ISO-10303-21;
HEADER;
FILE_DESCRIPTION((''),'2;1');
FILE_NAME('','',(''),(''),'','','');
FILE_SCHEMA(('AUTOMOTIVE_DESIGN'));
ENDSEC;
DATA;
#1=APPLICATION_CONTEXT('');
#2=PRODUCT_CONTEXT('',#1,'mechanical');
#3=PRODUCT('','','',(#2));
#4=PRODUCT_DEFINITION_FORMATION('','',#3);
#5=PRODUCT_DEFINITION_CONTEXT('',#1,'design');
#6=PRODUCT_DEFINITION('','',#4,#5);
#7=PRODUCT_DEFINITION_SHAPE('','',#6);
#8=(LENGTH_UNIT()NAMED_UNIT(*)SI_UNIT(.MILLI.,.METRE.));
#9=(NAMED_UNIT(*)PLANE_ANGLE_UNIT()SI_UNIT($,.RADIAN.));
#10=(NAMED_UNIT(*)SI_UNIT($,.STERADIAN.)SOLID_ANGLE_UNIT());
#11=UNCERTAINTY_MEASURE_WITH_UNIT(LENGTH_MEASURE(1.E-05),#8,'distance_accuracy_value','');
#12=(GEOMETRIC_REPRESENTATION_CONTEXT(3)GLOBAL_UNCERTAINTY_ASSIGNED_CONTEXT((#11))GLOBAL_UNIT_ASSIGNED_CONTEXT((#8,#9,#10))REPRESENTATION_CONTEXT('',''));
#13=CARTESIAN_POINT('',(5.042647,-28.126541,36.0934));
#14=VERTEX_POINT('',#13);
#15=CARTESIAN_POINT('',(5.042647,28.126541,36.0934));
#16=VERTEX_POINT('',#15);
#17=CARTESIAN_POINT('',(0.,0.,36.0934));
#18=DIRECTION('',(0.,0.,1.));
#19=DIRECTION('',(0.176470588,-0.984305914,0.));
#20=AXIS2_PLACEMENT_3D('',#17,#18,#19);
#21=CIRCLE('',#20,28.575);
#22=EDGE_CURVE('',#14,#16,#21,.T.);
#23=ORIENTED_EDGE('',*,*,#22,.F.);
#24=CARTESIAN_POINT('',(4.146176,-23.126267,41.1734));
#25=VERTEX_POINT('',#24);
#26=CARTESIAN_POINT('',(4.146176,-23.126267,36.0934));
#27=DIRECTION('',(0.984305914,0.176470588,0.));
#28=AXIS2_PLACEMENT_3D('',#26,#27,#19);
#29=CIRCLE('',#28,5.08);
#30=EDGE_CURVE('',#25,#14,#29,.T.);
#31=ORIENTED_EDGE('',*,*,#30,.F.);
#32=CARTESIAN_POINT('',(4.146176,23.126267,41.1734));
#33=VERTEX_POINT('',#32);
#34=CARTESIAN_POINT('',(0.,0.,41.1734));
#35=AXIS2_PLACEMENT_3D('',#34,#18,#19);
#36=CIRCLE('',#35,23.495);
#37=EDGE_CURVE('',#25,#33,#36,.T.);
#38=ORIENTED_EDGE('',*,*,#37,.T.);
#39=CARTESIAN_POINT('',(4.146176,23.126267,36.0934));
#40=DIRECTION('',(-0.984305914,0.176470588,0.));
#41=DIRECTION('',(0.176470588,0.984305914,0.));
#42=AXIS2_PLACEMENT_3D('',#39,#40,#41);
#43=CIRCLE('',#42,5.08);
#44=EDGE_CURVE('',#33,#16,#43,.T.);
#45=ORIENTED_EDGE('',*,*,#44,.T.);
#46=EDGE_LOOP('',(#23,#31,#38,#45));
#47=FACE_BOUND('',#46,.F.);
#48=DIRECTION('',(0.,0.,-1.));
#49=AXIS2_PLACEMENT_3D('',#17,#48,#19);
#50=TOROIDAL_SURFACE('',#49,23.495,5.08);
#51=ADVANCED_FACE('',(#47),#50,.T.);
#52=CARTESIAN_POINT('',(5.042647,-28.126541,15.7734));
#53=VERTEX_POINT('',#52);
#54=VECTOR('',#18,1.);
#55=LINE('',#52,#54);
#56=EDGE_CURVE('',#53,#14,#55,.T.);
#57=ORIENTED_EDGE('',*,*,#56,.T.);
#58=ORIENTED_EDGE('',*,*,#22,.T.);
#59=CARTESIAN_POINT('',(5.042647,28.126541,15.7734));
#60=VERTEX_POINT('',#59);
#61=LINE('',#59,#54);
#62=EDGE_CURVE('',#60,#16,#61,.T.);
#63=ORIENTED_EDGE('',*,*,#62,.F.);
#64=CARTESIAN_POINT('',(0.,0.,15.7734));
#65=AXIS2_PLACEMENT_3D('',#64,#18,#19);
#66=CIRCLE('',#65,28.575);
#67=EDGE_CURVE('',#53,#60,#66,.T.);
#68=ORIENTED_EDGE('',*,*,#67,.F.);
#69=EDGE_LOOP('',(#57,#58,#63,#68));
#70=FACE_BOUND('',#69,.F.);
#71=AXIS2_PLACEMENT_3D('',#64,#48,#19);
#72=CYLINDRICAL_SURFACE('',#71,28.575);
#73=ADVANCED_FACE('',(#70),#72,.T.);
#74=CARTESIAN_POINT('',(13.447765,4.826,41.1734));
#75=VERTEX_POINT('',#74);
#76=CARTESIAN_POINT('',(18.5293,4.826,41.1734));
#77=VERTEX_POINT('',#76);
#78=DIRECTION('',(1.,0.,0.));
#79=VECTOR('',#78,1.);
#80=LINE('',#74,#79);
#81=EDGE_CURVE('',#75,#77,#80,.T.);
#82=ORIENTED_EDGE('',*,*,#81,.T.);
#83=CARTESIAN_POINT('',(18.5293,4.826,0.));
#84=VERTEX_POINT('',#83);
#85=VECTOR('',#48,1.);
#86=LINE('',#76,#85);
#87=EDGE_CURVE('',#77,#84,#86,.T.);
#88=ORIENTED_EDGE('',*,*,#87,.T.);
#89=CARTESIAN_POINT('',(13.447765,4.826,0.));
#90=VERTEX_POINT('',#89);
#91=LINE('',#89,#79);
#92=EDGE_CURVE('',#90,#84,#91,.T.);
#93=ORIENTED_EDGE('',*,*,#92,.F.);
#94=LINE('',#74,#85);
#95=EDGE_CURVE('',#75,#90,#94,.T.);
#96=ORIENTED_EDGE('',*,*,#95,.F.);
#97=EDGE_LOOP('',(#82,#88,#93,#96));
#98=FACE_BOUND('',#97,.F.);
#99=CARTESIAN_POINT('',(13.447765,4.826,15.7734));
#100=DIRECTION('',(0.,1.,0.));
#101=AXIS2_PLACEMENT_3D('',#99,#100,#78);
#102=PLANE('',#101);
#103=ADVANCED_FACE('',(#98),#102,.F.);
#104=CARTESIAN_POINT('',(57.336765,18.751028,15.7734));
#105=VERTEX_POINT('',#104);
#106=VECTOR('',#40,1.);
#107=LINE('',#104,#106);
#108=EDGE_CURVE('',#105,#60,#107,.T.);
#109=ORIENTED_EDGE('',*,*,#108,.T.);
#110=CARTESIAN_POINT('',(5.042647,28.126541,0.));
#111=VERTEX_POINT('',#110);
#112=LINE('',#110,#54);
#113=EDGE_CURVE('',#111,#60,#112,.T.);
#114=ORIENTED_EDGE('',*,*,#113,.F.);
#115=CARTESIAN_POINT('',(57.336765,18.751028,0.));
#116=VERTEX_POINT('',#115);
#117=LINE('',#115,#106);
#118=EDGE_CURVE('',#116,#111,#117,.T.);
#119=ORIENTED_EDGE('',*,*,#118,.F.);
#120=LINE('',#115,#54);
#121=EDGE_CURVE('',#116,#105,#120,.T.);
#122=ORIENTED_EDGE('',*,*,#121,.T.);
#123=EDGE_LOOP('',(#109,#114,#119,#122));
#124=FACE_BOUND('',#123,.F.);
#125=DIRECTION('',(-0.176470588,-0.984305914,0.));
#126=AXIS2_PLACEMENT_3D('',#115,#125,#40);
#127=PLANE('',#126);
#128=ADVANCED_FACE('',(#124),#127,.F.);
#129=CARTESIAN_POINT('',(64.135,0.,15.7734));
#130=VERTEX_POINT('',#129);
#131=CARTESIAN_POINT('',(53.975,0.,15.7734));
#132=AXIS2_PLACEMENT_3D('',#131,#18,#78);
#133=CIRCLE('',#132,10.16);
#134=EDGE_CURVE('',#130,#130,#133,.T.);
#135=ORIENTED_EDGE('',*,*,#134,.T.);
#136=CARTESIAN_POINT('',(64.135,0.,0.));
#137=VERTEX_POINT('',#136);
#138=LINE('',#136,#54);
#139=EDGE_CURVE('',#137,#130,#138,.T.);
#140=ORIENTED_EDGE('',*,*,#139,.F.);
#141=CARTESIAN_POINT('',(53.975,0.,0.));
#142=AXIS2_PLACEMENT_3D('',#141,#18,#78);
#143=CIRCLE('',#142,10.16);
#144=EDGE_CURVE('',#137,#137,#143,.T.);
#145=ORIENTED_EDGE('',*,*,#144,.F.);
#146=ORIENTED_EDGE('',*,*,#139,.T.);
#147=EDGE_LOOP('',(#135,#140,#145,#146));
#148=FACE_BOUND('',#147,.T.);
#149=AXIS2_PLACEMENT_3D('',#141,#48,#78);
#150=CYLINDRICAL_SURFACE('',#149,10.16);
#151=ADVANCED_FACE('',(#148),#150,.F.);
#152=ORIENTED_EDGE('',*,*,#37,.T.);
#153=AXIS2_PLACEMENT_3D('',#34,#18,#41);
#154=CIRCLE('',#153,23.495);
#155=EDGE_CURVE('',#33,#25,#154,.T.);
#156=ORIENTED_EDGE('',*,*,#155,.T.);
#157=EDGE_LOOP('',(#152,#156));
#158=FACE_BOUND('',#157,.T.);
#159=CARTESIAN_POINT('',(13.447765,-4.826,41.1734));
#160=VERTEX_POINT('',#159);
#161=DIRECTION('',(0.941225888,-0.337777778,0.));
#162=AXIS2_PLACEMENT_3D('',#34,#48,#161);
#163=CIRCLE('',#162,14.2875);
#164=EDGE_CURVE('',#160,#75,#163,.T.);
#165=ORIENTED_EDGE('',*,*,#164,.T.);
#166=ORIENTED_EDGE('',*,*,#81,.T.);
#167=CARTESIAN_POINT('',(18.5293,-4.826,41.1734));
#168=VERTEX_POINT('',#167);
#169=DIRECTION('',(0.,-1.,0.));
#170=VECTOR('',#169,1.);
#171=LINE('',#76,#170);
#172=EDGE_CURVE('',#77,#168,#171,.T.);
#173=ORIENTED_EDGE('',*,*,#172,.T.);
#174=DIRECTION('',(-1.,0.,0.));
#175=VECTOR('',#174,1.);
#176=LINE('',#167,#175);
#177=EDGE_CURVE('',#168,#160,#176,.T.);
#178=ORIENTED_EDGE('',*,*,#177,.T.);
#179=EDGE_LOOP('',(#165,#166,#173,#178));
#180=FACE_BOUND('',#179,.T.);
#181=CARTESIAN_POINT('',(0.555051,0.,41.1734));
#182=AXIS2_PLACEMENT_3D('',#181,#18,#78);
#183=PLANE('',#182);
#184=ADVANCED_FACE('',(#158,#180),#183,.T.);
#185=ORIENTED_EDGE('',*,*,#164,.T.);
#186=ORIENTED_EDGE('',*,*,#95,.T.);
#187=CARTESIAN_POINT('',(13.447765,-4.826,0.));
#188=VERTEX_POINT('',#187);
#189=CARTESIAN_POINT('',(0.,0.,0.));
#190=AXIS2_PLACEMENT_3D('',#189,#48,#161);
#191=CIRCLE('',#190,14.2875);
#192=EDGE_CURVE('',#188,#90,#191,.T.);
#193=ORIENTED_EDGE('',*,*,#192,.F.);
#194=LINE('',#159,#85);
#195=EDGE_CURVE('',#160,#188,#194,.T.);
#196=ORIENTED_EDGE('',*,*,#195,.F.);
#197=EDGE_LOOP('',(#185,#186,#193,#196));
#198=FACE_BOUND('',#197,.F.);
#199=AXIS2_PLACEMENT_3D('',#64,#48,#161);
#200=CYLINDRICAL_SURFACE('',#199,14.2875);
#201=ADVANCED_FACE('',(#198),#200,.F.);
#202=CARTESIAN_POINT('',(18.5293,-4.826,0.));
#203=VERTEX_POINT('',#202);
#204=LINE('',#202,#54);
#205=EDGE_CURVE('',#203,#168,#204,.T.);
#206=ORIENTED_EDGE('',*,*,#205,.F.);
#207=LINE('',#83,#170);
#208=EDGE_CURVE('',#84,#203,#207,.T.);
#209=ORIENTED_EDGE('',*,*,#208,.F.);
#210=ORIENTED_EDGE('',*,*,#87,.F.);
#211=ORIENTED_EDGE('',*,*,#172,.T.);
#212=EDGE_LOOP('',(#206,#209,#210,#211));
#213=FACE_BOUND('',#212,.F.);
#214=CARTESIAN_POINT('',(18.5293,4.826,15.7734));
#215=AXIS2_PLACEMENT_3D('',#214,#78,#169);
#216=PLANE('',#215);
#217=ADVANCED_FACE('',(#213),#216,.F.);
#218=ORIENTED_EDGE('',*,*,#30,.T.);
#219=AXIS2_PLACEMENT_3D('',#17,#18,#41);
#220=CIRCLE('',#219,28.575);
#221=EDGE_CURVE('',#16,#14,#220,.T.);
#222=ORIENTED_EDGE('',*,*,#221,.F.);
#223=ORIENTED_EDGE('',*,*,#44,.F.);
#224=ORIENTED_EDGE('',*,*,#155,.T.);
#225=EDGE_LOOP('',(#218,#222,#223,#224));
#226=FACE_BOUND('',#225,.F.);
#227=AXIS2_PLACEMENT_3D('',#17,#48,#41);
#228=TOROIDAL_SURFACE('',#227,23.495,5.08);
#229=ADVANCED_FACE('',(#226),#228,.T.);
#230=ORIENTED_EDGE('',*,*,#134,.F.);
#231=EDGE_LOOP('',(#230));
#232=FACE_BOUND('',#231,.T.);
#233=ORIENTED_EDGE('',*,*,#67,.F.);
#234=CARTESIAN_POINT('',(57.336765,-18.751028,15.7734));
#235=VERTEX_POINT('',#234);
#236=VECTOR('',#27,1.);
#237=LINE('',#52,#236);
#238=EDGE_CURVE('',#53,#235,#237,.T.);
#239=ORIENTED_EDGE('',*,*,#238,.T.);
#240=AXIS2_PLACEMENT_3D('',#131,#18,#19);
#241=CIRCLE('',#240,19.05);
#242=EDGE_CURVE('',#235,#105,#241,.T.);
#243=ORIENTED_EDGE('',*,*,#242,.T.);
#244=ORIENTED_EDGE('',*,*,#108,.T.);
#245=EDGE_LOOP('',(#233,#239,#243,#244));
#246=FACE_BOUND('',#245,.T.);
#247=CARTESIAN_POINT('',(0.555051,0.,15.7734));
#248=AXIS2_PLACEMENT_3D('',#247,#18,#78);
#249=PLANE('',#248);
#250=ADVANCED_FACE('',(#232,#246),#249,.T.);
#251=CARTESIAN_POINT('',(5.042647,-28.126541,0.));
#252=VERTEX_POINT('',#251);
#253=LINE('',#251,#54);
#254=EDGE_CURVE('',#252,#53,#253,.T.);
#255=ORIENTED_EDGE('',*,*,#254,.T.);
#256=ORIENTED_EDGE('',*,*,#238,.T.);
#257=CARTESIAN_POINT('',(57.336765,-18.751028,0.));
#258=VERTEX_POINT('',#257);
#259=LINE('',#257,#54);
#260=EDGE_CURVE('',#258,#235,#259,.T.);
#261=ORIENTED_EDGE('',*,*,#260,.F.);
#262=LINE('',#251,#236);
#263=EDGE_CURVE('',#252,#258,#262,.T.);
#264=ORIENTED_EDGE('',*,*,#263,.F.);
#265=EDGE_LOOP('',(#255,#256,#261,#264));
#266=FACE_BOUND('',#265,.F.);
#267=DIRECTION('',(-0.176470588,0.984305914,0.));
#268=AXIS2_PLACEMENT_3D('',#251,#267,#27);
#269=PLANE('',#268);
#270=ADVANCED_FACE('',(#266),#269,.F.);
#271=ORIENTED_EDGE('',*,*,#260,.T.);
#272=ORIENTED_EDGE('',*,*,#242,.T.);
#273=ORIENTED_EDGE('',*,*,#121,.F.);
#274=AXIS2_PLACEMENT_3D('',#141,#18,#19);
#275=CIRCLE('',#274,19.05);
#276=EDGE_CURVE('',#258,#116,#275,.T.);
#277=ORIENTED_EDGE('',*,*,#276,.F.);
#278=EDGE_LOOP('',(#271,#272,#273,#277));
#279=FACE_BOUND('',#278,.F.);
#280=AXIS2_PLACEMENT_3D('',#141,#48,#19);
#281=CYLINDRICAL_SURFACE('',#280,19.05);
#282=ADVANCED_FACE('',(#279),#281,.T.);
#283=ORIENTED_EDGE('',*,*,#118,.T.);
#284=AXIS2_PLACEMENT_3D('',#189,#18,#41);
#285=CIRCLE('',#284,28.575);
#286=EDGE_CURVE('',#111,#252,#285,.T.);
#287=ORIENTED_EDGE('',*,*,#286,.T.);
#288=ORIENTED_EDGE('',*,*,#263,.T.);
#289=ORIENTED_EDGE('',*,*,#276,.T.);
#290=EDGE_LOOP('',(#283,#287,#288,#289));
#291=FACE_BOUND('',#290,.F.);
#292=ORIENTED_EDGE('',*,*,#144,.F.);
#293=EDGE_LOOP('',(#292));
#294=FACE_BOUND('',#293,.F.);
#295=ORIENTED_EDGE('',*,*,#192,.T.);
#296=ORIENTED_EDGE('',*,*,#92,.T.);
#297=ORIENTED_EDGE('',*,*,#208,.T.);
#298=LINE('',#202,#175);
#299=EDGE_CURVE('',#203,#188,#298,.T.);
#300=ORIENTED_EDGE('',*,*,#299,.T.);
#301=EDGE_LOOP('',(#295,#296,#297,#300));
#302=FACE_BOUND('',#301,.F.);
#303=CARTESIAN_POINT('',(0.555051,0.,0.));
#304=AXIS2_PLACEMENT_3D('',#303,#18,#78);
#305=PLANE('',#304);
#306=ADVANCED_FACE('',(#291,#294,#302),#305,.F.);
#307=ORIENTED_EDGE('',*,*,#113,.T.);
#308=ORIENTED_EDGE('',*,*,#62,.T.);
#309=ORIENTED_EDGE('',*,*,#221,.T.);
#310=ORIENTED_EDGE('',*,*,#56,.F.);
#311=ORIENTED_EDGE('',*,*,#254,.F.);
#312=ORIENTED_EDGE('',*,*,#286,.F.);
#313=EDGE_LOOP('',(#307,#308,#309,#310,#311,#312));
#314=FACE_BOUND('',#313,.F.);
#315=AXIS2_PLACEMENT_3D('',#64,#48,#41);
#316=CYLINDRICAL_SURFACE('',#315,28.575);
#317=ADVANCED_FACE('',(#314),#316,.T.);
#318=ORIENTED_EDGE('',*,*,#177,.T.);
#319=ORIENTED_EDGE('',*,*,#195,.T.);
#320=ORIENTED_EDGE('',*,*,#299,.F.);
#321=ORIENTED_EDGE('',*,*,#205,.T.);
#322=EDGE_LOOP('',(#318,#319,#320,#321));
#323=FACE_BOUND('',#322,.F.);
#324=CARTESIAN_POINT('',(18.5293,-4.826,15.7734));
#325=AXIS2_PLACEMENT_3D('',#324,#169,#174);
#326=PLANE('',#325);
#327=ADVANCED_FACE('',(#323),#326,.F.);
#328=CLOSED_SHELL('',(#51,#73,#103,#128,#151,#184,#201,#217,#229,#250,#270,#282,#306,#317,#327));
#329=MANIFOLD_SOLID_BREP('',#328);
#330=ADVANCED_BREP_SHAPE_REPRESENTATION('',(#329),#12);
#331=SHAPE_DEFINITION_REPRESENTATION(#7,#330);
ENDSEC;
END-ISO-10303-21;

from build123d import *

# Parameters (mm, degrees)
F0_R     = 10.16
F1_DEPTH = 15.7734
F3_DEPTH = 25.4
F4_R     = 5.08


with BuildPart() as f1:
    # F0 (on Top) → F1 (new body)
    with BuildSketch(Plane.XY):
        with BuildLine():
            ThreePointArc((5.0426470588, -28.1265414802), (21.9160245563, -18.3362616868), (28.575, 0))
            ThreePointArc((28.575, 0), (21.9160245563, 18.3362616868), (5.0426470588, 28.1265414802))
            ThreePointArc((5.0426470588, 28.1265414802), (-28.575, 0), (5.0426470588, -28.1265414802))
        make_face()
        with BuildLine():
            ThreePointArc((13.4477648793, -4.826), (-14.2875, 0), (13.4477648793, 4.826))
            Line((13.4477648793, 4.826), (18.5293, 4.826))
            Line((18.5293, 4.826), (18.5293, -4.826))
            Line((18.5293, -4.826), (13.4477648793, -4.826))
        make_face(mode=Mode.SUBTRACT)
        with BuildLine():
            ThreePointArc((5.0426470588, 28.1265414802), (21.9160245563, 18.3362616868), (28.575, 0))
            ThreePointArc((28.575, 0), (21.9160245563, -18.3362616868), (5.0426470588, -28.1265414802))
            Line((5.0426470588, -28.1265414802), (57.3367647059, -18.7510276535))
            ThreePointArc((57.3367647059, -18.7510276535), (73.025, 0), (57.3367647059, 18.7510276535))
            Line((57.3367647059, 18.7510276535), (5.0426470588, 28.1265414802))
        make_face()
        with Locations((53.975, 0)):
            Circle(F0_R, mode=Mode.SUBTRACT)
    extrude(amount=F1_DEPTH)

    # F2 (on face) → F3 (join)
    with BuildSketch(Plane.XY.offset(15.7734)):
        with BuildLine():
            ThreePointArc((5.0426470588, -28.1265414802), (21.9160245563, -18.3362616868), (28.575, 0))
            ThreePointArc((28.575, 0), (21.9160245563, 18.3362616868), (5.0426470588, 28.1265414802))
            ThreePointArc((5.0426470588, 28.1265414802), (-28.575, 0), (5.0426470588, -28.1265414802))
        make_face()
        with BuildLine():
            Line((18.5293, -4.826), (13.4477648793, -4.826))
            ThreePointArc((13.4477648793, -4.826), (-14.2875, 0), (13.4477648793, 4.826))
            Line((13.4477648793, 4.826), (18.5293, 4.826))
            Line((18.5293, 4.826), (18.5293, -4.826))
        make_face(mode=Mode.SUBTRACT)
    extrude(amount=F3_DEPTH)

    # F4
    f4_edges = [f1.edges().sort_by_distance(p)[0] for p in [
        (-5.042647, 28.126541, 41.1734),
    ]]
    fillet(f4_edges, radius=F4_R)


solid = f1.part
